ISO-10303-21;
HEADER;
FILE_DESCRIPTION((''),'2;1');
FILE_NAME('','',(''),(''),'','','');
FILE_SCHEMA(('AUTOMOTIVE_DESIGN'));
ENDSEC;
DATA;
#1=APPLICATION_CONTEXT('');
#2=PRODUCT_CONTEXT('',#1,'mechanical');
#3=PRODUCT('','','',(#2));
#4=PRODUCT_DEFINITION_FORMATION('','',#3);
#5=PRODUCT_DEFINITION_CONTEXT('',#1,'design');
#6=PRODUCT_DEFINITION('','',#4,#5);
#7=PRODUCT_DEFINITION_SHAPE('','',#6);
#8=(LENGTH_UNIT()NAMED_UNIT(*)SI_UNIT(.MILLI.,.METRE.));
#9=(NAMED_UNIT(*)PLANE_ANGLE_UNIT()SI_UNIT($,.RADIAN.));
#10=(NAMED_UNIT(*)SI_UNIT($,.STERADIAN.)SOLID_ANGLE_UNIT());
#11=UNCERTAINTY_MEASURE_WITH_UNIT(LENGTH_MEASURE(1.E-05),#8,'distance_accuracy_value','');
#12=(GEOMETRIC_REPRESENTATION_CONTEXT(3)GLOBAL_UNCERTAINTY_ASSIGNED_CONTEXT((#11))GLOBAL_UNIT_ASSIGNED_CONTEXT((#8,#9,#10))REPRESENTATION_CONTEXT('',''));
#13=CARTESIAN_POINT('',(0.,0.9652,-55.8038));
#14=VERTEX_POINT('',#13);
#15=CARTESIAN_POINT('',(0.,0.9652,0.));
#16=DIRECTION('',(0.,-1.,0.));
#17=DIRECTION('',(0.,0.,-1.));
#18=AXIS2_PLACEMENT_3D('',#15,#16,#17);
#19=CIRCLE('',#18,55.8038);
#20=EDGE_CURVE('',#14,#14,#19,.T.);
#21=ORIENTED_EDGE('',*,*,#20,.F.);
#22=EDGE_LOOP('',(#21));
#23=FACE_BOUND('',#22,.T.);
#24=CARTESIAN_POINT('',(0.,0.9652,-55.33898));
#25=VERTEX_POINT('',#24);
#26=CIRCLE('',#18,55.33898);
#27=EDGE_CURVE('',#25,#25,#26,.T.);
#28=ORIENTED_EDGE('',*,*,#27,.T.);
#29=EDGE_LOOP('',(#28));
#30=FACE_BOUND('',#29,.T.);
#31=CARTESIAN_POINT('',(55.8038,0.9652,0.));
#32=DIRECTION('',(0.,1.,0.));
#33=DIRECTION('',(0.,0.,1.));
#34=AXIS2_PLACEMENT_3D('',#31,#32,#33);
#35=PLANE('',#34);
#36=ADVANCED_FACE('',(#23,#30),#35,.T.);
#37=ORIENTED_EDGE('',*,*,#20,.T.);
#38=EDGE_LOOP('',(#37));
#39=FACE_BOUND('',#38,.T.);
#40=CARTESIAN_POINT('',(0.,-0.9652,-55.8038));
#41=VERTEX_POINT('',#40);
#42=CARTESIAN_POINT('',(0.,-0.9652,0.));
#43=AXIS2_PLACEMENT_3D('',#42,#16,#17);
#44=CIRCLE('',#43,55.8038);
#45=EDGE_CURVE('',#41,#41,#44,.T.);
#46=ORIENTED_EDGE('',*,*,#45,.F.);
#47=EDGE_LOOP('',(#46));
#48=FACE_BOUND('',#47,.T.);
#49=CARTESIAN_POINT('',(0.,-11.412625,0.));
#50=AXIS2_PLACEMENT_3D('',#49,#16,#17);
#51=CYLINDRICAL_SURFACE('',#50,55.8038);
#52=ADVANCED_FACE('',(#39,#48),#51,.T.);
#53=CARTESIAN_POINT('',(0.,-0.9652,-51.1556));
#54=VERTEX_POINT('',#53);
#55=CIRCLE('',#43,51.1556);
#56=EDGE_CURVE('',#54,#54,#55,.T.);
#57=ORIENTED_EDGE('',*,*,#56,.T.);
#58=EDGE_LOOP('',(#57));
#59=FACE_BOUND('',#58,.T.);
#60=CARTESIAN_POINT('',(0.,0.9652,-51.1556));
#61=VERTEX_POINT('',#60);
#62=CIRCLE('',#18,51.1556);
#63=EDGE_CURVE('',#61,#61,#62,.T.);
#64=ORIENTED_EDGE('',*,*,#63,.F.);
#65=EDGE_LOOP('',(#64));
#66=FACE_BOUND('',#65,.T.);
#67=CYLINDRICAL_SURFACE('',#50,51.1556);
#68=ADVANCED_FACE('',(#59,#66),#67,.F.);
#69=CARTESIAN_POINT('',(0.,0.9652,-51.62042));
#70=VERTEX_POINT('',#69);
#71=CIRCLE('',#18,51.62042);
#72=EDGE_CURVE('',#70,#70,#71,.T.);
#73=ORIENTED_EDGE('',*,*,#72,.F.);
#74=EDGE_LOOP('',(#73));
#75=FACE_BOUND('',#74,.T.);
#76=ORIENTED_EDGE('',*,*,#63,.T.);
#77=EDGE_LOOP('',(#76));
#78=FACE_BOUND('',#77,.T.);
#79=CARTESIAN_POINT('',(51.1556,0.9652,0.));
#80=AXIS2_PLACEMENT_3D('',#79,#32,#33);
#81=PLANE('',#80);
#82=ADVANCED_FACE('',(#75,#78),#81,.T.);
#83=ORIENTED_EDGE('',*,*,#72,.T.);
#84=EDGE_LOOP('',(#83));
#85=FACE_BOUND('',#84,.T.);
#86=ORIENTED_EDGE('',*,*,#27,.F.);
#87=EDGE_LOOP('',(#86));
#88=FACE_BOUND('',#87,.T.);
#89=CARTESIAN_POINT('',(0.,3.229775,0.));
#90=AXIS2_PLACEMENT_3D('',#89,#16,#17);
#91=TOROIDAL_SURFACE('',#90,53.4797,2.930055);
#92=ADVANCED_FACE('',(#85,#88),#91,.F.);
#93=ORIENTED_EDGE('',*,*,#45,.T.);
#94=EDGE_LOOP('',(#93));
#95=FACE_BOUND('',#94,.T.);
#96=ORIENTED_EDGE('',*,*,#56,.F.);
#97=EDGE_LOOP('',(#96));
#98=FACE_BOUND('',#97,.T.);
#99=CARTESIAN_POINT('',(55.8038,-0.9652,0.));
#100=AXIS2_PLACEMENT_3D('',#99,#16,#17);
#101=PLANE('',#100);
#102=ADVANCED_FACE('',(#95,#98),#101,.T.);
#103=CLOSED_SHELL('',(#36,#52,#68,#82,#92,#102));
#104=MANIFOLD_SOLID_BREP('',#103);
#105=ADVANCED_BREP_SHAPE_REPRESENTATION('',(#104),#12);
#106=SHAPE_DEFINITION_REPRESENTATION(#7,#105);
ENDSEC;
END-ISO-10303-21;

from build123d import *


with BuildPart() as part:
    # Sketch1 → Revolve2 (revolve)
    with BuildSketch(Plane.XY, mode=Mode.PRIVATE) as revolve2_sk:
        with BuildLine():
            Line((55.8038, -0.9652), (55.8038, 0.9652))
            Line((55.8038, 0.9652), (55.33898, 0.9652))
            ThreePointArc((55.33898, 0.9652), (53.4797, 0.29972), (51.62042, 0.9652))
            Line((51.62042, 0.9652), (51.1556, 0.9652))
            Line((51.1556, 0.9652), (51.1556, -0.9652))
            Line((51.1556, -0.9652), (55.8038, -0.9652))
        make_face()
    revolve(revolve2_sk.sketch.rotate(Axis((0, -11.412625366, 0), (0, 1, 0)), 90), axis=Axis((0, -11.412625366, 0), (0, 1, 0)))


solid = part.part
